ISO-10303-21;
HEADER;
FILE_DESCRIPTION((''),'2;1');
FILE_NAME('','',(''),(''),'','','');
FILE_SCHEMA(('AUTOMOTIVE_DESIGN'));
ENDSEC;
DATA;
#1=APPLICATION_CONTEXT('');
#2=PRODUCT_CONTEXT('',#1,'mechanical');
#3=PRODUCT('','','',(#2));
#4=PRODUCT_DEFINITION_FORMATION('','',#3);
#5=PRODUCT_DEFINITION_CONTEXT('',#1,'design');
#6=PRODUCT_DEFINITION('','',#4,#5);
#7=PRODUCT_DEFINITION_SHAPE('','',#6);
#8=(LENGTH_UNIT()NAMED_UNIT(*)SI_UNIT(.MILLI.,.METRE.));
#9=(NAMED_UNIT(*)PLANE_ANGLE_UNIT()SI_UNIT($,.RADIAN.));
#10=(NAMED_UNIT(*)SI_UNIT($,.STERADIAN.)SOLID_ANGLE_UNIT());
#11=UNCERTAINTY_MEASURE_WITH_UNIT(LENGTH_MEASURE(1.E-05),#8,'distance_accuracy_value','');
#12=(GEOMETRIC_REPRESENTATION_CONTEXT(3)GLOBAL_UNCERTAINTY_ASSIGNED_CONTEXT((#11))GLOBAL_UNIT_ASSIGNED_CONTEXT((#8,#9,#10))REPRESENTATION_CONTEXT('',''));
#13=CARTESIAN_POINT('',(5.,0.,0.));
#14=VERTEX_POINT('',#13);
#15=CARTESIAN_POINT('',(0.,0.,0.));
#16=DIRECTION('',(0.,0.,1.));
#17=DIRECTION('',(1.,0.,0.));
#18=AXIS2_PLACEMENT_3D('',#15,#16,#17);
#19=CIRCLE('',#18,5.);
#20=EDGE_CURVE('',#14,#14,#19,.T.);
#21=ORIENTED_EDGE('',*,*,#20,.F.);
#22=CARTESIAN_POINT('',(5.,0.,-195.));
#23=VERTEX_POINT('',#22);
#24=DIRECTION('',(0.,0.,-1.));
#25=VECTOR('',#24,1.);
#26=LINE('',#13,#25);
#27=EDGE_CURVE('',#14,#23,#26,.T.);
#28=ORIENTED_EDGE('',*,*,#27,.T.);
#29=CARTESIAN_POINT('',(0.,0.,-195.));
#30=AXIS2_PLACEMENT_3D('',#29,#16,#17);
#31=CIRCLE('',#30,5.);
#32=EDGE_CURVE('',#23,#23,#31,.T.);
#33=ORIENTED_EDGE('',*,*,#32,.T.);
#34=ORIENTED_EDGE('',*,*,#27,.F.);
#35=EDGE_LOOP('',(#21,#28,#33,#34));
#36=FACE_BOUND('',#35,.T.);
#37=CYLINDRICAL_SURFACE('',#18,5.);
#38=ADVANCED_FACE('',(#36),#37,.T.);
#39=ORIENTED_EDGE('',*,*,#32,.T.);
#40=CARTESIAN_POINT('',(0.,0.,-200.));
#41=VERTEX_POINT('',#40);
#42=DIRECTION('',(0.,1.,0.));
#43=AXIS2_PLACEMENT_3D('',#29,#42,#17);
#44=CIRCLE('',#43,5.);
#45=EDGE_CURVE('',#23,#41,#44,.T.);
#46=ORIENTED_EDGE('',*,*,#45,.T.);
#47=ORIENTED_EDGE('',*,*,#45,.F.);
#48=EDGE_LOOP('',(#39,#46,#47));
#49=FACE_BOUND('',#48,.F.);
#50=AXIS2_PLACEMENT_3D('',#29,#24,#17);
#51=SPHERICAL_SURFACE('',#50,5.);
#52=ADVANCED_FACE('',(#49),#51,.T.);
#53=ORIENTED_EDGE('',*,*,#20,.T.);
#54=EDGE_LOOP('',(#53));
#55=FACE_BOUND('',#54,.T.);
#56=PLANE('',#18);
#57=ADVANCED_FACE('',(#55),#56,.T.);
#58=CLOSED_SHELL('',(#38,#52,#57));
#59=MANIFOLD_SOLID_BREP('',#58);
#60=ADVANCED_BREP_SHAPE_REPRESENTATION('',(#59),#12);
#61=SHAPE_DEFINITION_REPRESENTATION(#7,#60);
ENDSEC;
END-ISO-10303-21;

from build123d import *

# Parameters (mm, degrees)
F0_R     = 5
F1_DEPTH = 200
F2_R     = 5


with BuildPart() as f1:
    # F0 (on Top) → F1 (new body)
    with BuildSketch(Plane.XY):
        Circle(F0_R)
    extrude(amount=-F1_DEPTH)

    # F2
    f2_edges = [f1.edges().sort_by_distance(p)[0] for p in [
        (-5, 0, -200),
    ]]
    fillet(f2_edges, radius=F2_R)


solid = f1.part
